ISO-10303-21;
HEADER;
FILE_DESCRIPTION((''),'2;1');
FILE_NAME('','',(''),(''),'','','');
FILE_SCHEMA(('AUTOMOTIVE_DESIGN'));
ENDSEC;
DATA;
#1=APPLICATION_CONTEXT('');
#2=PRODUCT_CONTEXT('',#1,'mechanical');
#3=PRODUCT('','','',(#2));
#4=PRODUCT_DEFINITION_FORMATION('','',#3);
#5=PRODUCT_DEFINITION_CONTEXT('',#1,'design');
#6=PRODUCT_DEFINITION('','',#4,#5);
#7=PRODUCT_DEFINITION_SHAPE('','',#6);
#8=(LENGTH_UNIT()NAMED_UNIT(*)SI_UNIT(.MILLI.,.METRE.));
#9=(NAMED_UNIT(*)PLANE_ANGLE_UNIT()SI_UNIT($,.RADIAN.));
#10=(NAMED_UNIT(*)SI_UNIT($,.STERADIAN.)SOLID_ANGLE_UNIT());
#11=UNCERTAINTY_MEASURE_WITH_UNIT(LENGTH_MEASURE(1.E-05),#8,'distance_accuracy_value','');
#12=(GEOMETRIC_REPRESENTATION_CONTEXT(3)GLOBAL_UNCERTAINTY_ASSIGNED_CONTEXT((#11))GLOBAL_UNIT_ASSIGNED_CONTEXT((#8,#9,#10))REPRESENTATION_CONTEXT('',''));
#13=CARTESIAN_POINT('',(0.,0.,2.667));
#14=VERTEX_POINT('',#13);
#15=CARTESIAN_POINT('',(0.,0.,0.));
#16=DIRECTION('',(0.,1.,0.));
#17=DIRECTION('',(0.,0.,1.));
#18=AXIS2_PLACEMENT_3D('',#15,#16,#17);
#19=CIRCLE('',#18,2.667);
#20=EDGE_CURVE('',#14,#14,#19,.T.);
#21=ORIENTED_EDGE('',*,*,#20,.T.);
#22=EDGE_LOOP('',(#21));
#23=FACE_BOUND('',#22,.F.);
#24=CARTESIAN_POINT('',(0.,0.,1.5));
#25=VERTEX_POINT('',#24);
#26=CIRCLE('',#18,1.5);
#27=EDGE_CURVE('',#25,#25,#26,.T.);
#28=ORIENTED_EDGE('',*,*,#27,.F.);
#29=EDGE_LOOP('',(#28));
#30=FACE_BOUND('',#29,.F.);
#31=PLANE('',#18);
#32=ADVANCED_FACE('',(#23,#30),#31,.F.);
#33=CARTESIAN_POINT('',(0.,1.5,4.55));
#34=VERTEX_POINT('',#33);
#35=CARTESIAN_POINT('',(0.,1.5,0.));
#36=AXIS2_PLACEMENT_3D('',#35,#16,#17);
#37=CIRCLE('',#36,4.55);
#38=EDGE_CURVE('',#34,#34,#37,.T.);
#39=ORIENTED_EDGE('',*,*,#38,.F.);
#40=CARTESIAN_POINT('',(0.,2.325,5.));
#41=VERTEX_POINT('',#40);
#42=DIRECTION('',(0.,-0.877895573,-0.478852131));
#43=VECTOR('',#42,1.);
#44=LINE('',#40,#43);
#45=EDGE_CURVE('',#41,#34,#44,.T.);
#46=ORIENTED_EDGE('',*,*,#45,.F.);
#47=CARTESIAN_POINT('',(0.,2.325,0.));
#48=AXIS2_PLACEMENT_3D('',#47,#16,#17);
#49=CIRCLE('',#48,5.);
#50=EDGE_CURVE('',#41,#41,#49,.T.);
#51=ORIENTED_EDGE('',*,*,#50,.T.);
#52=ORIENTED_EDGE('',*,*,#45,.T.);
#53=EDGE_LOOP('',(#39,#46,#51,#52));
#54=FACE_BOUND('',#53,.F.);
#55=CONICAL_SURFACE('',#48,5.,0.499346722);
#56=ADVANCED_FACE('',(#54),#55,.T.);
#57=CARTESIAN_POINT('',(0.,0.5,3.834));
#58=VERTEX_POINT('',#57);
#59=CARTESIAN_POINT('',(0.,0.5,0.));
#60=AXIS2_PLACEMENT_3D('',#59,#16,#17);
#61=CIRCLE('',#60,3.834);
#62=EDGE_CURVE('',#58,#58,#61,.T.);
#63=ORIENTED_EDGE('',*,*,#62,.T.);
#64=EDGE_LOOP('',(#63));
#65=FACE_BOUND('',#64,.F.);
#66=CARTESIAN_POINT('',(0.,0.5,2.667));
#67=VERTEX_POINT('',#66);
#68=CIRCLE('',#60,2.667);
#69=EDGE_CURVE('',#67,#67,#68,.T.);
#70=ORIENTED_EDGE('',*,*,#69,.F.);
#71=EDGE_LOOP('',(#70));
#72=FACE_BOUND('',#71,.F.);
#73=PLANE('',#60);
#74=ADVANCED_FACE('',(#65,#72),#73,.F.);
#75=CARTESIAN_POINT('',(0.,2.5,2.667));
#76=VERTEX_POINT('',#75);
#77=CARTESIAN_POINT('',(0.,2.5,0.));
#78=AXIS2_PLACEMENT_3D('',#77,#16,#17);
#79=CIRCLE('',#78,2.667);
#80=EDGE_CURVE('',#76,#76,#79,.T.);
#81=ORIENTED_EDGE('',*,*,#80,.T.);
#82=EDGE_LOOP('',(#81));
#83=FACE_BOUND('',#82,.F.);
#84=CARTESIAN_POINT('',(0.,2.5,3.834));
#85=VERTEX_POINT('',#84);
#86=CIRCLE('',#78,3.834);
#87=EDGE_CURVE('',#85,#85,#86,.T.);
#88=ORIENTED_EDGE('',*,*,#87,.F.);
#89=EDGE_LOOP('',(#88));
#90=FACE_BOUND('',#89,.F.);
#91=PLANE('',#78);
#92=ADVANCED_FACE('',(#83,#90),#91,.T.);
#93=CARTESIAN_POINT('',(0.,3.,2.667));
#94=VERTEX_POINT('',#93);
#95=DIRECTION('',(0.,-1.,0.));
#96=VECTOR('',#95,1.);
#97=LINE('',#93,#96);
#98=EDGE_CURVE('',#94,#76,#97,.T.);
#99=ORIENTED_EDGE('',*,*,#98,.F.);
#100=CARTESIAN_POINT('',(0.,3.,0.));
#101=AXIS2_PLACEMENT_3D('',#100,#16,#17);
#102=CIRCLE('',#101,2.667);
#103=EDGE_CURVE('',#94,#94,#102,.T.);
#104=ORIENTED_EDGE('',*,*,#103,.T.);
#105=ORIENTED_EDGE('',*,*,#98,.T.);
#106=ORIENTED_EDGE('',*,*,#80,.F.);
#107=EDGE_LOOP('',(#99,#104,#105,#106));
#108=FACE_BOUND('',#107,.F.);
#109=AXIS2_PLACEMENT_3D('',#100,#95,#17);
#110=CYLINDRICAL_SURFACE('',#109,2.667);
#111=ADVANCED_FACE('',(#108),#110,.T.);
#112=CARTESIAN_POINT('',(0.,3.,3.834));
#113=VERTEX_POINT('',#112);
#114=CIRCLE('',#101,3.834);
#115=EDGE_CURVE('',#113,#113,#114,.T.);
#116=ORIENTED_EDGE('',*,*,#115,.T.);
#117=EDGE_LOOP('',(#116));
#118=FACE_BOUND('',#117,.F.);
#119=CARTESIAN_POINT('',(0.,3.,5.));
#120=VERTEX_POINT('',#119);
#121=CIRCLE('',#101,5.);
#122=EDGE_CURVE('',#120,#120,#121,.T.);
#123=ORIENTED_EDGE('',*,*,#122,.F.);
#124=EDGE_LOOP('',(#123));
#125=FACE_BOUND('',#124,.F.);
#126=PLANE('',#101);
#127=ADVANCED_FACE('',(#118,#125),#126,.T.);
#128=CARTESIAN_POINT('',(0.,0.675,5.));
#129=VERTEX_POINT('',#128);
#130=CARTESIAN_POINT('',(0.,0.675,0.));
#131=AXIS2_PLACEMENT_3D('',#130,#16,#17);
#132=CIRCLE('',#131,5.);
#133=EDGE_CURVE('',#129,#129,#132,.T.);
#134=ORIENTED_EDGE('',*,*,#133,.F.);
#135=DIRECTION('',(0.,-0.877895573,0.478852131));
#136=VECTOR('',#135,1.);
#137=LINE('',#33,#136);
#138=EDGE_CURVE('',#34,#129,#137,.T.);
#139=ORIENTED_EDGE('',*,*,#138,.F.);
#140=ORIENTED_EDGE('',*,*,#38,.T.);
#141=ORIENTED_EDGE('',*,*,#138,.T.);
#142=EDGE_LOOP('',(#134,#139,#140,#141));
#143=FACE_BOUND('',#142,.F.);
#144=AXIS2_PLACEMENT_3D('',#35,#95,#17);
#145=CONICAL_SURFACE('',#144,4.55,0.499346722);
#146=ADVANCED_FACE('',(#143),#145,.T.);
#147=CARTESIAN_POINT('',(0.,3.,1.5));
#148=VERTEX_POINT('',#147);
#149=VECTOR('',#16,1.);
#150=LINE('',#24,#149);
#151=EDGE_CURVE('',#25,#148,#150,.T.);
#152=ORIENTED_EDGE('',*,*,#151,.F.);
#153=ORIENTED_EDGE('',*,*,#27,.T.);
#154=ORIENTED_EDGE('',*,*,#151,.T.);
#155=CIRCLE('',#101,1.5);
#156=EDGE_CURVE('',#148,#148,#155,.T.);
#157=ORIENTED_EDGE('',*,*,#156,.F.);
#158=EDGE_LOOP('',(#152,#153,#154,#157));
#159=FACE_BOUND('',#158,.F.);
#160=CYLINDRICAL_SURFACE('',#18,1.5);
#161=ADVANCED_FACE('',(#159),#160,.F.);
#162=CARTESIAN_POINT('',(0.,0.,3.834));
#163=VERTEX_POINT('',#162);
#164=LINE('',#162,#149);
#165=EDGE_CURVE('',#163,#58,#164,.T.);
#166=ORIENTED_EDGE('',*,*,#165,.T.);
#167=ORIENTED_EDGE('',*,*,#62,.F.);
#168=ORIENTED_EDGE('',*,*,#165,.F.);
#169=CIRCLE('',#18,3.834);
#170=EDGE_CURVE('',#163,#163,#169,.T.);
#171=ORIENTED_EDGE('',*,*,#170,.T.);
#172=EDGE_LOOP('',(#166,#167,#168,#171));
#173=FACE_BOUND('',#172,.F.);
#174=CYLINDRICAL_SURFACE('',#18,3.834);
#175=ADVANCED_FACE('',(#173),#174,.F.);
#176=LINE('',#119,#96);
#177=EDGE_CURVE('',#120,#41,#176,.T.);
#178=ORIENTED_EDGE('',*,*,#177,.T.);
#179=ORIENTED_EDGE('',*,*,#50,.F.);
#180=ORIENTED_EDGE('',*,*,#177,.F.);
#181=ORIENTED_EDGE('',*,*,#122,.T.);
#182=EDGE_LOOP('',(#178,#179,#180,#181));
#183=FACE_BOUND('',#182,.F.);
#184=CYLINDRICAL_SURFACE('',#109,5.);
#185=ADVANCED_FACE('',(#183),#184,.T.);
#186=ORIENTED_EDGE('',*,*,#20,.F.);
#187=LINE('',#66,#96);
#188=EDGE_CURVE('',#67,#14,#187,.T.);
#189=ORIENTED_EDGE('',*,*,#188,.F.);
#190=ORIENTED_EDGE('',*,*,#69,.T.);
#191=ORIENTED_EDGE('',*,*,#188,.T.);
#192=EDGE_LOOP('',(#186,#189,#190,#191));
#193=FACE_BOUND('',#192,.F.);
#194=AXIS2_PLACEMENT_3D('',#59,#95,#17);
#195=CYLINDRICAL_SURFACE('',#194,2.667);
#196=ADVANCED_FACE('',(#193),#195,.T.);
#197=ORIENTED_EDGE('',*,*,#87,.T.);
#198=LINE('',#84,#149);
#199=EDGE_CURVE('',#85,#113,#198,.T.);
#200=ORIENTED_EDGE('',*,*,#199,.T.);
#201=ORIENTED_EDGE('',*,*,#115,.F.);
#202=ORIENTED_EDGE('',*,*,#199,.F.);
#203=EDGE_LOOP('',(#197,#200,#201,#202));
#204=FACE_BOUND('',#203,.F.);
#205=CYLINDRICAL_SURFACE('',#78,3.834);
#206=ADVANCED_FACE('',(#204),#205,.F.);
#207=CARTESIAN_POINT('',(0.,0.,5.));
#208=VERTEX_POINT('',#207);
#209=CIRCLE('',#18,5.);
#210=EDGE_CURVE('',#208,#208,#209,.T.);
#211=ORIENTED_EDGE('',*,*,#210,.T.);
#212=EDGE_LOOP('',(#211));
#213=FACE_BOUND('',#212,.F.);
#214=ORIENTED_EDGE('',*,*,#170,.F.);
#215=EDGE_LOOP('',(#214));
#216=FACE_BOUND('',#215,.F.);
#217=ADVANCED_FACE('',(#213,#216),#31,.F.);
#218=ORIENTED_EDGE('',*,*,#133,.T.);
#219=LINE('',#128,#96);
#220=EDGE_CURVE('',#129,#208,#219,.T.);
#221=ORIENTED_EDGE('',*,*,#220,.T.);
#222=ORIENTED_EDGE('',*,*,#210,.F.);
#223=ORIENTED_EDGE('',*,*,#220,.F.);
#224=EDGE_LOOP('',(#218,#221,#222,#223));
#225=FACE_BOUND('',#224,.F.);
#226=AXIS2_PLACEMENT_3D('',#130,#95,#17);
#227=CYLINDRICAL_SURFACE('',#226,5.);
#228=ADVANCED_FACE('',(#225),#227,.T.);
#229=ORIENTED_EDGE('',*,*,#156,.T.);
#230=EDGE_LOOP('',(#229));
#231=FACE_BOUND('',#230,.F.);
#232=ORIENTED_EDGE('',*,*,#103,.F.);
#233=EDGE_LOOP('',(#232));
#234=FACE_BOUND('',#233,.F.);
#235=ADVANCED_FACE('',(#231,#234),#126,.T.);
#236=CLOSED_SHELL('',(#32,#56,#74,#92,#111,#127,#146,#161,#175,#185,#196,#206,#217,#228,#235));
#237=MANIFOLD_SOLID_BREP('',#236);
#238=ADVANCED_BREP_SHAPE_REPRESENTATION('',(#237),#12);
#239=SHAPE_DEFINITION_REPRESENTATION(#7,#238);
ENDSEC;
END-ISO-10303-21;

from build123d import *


with BuildPart() as f1:
    # F0 (on Right) → F1 (revolve)
    with BuildSketch(Plane.YZ):
        Polygon((0, 2.667), (0, 1.5), (3, 1.5), (3, 2.667), (2.5, 2.667), (2.5, 3.834), (3, 3.834), (3, 5), (2.325, 5), (1.5, 4.55), (0.675, 5), (0, 5), (0, 3.834), (0.5, 3.834), (0.5, 2.667), align=None)
    revolve(axis=Axis((0, 1.5, 0), (0, 1, 0)))


solid = f1.part
